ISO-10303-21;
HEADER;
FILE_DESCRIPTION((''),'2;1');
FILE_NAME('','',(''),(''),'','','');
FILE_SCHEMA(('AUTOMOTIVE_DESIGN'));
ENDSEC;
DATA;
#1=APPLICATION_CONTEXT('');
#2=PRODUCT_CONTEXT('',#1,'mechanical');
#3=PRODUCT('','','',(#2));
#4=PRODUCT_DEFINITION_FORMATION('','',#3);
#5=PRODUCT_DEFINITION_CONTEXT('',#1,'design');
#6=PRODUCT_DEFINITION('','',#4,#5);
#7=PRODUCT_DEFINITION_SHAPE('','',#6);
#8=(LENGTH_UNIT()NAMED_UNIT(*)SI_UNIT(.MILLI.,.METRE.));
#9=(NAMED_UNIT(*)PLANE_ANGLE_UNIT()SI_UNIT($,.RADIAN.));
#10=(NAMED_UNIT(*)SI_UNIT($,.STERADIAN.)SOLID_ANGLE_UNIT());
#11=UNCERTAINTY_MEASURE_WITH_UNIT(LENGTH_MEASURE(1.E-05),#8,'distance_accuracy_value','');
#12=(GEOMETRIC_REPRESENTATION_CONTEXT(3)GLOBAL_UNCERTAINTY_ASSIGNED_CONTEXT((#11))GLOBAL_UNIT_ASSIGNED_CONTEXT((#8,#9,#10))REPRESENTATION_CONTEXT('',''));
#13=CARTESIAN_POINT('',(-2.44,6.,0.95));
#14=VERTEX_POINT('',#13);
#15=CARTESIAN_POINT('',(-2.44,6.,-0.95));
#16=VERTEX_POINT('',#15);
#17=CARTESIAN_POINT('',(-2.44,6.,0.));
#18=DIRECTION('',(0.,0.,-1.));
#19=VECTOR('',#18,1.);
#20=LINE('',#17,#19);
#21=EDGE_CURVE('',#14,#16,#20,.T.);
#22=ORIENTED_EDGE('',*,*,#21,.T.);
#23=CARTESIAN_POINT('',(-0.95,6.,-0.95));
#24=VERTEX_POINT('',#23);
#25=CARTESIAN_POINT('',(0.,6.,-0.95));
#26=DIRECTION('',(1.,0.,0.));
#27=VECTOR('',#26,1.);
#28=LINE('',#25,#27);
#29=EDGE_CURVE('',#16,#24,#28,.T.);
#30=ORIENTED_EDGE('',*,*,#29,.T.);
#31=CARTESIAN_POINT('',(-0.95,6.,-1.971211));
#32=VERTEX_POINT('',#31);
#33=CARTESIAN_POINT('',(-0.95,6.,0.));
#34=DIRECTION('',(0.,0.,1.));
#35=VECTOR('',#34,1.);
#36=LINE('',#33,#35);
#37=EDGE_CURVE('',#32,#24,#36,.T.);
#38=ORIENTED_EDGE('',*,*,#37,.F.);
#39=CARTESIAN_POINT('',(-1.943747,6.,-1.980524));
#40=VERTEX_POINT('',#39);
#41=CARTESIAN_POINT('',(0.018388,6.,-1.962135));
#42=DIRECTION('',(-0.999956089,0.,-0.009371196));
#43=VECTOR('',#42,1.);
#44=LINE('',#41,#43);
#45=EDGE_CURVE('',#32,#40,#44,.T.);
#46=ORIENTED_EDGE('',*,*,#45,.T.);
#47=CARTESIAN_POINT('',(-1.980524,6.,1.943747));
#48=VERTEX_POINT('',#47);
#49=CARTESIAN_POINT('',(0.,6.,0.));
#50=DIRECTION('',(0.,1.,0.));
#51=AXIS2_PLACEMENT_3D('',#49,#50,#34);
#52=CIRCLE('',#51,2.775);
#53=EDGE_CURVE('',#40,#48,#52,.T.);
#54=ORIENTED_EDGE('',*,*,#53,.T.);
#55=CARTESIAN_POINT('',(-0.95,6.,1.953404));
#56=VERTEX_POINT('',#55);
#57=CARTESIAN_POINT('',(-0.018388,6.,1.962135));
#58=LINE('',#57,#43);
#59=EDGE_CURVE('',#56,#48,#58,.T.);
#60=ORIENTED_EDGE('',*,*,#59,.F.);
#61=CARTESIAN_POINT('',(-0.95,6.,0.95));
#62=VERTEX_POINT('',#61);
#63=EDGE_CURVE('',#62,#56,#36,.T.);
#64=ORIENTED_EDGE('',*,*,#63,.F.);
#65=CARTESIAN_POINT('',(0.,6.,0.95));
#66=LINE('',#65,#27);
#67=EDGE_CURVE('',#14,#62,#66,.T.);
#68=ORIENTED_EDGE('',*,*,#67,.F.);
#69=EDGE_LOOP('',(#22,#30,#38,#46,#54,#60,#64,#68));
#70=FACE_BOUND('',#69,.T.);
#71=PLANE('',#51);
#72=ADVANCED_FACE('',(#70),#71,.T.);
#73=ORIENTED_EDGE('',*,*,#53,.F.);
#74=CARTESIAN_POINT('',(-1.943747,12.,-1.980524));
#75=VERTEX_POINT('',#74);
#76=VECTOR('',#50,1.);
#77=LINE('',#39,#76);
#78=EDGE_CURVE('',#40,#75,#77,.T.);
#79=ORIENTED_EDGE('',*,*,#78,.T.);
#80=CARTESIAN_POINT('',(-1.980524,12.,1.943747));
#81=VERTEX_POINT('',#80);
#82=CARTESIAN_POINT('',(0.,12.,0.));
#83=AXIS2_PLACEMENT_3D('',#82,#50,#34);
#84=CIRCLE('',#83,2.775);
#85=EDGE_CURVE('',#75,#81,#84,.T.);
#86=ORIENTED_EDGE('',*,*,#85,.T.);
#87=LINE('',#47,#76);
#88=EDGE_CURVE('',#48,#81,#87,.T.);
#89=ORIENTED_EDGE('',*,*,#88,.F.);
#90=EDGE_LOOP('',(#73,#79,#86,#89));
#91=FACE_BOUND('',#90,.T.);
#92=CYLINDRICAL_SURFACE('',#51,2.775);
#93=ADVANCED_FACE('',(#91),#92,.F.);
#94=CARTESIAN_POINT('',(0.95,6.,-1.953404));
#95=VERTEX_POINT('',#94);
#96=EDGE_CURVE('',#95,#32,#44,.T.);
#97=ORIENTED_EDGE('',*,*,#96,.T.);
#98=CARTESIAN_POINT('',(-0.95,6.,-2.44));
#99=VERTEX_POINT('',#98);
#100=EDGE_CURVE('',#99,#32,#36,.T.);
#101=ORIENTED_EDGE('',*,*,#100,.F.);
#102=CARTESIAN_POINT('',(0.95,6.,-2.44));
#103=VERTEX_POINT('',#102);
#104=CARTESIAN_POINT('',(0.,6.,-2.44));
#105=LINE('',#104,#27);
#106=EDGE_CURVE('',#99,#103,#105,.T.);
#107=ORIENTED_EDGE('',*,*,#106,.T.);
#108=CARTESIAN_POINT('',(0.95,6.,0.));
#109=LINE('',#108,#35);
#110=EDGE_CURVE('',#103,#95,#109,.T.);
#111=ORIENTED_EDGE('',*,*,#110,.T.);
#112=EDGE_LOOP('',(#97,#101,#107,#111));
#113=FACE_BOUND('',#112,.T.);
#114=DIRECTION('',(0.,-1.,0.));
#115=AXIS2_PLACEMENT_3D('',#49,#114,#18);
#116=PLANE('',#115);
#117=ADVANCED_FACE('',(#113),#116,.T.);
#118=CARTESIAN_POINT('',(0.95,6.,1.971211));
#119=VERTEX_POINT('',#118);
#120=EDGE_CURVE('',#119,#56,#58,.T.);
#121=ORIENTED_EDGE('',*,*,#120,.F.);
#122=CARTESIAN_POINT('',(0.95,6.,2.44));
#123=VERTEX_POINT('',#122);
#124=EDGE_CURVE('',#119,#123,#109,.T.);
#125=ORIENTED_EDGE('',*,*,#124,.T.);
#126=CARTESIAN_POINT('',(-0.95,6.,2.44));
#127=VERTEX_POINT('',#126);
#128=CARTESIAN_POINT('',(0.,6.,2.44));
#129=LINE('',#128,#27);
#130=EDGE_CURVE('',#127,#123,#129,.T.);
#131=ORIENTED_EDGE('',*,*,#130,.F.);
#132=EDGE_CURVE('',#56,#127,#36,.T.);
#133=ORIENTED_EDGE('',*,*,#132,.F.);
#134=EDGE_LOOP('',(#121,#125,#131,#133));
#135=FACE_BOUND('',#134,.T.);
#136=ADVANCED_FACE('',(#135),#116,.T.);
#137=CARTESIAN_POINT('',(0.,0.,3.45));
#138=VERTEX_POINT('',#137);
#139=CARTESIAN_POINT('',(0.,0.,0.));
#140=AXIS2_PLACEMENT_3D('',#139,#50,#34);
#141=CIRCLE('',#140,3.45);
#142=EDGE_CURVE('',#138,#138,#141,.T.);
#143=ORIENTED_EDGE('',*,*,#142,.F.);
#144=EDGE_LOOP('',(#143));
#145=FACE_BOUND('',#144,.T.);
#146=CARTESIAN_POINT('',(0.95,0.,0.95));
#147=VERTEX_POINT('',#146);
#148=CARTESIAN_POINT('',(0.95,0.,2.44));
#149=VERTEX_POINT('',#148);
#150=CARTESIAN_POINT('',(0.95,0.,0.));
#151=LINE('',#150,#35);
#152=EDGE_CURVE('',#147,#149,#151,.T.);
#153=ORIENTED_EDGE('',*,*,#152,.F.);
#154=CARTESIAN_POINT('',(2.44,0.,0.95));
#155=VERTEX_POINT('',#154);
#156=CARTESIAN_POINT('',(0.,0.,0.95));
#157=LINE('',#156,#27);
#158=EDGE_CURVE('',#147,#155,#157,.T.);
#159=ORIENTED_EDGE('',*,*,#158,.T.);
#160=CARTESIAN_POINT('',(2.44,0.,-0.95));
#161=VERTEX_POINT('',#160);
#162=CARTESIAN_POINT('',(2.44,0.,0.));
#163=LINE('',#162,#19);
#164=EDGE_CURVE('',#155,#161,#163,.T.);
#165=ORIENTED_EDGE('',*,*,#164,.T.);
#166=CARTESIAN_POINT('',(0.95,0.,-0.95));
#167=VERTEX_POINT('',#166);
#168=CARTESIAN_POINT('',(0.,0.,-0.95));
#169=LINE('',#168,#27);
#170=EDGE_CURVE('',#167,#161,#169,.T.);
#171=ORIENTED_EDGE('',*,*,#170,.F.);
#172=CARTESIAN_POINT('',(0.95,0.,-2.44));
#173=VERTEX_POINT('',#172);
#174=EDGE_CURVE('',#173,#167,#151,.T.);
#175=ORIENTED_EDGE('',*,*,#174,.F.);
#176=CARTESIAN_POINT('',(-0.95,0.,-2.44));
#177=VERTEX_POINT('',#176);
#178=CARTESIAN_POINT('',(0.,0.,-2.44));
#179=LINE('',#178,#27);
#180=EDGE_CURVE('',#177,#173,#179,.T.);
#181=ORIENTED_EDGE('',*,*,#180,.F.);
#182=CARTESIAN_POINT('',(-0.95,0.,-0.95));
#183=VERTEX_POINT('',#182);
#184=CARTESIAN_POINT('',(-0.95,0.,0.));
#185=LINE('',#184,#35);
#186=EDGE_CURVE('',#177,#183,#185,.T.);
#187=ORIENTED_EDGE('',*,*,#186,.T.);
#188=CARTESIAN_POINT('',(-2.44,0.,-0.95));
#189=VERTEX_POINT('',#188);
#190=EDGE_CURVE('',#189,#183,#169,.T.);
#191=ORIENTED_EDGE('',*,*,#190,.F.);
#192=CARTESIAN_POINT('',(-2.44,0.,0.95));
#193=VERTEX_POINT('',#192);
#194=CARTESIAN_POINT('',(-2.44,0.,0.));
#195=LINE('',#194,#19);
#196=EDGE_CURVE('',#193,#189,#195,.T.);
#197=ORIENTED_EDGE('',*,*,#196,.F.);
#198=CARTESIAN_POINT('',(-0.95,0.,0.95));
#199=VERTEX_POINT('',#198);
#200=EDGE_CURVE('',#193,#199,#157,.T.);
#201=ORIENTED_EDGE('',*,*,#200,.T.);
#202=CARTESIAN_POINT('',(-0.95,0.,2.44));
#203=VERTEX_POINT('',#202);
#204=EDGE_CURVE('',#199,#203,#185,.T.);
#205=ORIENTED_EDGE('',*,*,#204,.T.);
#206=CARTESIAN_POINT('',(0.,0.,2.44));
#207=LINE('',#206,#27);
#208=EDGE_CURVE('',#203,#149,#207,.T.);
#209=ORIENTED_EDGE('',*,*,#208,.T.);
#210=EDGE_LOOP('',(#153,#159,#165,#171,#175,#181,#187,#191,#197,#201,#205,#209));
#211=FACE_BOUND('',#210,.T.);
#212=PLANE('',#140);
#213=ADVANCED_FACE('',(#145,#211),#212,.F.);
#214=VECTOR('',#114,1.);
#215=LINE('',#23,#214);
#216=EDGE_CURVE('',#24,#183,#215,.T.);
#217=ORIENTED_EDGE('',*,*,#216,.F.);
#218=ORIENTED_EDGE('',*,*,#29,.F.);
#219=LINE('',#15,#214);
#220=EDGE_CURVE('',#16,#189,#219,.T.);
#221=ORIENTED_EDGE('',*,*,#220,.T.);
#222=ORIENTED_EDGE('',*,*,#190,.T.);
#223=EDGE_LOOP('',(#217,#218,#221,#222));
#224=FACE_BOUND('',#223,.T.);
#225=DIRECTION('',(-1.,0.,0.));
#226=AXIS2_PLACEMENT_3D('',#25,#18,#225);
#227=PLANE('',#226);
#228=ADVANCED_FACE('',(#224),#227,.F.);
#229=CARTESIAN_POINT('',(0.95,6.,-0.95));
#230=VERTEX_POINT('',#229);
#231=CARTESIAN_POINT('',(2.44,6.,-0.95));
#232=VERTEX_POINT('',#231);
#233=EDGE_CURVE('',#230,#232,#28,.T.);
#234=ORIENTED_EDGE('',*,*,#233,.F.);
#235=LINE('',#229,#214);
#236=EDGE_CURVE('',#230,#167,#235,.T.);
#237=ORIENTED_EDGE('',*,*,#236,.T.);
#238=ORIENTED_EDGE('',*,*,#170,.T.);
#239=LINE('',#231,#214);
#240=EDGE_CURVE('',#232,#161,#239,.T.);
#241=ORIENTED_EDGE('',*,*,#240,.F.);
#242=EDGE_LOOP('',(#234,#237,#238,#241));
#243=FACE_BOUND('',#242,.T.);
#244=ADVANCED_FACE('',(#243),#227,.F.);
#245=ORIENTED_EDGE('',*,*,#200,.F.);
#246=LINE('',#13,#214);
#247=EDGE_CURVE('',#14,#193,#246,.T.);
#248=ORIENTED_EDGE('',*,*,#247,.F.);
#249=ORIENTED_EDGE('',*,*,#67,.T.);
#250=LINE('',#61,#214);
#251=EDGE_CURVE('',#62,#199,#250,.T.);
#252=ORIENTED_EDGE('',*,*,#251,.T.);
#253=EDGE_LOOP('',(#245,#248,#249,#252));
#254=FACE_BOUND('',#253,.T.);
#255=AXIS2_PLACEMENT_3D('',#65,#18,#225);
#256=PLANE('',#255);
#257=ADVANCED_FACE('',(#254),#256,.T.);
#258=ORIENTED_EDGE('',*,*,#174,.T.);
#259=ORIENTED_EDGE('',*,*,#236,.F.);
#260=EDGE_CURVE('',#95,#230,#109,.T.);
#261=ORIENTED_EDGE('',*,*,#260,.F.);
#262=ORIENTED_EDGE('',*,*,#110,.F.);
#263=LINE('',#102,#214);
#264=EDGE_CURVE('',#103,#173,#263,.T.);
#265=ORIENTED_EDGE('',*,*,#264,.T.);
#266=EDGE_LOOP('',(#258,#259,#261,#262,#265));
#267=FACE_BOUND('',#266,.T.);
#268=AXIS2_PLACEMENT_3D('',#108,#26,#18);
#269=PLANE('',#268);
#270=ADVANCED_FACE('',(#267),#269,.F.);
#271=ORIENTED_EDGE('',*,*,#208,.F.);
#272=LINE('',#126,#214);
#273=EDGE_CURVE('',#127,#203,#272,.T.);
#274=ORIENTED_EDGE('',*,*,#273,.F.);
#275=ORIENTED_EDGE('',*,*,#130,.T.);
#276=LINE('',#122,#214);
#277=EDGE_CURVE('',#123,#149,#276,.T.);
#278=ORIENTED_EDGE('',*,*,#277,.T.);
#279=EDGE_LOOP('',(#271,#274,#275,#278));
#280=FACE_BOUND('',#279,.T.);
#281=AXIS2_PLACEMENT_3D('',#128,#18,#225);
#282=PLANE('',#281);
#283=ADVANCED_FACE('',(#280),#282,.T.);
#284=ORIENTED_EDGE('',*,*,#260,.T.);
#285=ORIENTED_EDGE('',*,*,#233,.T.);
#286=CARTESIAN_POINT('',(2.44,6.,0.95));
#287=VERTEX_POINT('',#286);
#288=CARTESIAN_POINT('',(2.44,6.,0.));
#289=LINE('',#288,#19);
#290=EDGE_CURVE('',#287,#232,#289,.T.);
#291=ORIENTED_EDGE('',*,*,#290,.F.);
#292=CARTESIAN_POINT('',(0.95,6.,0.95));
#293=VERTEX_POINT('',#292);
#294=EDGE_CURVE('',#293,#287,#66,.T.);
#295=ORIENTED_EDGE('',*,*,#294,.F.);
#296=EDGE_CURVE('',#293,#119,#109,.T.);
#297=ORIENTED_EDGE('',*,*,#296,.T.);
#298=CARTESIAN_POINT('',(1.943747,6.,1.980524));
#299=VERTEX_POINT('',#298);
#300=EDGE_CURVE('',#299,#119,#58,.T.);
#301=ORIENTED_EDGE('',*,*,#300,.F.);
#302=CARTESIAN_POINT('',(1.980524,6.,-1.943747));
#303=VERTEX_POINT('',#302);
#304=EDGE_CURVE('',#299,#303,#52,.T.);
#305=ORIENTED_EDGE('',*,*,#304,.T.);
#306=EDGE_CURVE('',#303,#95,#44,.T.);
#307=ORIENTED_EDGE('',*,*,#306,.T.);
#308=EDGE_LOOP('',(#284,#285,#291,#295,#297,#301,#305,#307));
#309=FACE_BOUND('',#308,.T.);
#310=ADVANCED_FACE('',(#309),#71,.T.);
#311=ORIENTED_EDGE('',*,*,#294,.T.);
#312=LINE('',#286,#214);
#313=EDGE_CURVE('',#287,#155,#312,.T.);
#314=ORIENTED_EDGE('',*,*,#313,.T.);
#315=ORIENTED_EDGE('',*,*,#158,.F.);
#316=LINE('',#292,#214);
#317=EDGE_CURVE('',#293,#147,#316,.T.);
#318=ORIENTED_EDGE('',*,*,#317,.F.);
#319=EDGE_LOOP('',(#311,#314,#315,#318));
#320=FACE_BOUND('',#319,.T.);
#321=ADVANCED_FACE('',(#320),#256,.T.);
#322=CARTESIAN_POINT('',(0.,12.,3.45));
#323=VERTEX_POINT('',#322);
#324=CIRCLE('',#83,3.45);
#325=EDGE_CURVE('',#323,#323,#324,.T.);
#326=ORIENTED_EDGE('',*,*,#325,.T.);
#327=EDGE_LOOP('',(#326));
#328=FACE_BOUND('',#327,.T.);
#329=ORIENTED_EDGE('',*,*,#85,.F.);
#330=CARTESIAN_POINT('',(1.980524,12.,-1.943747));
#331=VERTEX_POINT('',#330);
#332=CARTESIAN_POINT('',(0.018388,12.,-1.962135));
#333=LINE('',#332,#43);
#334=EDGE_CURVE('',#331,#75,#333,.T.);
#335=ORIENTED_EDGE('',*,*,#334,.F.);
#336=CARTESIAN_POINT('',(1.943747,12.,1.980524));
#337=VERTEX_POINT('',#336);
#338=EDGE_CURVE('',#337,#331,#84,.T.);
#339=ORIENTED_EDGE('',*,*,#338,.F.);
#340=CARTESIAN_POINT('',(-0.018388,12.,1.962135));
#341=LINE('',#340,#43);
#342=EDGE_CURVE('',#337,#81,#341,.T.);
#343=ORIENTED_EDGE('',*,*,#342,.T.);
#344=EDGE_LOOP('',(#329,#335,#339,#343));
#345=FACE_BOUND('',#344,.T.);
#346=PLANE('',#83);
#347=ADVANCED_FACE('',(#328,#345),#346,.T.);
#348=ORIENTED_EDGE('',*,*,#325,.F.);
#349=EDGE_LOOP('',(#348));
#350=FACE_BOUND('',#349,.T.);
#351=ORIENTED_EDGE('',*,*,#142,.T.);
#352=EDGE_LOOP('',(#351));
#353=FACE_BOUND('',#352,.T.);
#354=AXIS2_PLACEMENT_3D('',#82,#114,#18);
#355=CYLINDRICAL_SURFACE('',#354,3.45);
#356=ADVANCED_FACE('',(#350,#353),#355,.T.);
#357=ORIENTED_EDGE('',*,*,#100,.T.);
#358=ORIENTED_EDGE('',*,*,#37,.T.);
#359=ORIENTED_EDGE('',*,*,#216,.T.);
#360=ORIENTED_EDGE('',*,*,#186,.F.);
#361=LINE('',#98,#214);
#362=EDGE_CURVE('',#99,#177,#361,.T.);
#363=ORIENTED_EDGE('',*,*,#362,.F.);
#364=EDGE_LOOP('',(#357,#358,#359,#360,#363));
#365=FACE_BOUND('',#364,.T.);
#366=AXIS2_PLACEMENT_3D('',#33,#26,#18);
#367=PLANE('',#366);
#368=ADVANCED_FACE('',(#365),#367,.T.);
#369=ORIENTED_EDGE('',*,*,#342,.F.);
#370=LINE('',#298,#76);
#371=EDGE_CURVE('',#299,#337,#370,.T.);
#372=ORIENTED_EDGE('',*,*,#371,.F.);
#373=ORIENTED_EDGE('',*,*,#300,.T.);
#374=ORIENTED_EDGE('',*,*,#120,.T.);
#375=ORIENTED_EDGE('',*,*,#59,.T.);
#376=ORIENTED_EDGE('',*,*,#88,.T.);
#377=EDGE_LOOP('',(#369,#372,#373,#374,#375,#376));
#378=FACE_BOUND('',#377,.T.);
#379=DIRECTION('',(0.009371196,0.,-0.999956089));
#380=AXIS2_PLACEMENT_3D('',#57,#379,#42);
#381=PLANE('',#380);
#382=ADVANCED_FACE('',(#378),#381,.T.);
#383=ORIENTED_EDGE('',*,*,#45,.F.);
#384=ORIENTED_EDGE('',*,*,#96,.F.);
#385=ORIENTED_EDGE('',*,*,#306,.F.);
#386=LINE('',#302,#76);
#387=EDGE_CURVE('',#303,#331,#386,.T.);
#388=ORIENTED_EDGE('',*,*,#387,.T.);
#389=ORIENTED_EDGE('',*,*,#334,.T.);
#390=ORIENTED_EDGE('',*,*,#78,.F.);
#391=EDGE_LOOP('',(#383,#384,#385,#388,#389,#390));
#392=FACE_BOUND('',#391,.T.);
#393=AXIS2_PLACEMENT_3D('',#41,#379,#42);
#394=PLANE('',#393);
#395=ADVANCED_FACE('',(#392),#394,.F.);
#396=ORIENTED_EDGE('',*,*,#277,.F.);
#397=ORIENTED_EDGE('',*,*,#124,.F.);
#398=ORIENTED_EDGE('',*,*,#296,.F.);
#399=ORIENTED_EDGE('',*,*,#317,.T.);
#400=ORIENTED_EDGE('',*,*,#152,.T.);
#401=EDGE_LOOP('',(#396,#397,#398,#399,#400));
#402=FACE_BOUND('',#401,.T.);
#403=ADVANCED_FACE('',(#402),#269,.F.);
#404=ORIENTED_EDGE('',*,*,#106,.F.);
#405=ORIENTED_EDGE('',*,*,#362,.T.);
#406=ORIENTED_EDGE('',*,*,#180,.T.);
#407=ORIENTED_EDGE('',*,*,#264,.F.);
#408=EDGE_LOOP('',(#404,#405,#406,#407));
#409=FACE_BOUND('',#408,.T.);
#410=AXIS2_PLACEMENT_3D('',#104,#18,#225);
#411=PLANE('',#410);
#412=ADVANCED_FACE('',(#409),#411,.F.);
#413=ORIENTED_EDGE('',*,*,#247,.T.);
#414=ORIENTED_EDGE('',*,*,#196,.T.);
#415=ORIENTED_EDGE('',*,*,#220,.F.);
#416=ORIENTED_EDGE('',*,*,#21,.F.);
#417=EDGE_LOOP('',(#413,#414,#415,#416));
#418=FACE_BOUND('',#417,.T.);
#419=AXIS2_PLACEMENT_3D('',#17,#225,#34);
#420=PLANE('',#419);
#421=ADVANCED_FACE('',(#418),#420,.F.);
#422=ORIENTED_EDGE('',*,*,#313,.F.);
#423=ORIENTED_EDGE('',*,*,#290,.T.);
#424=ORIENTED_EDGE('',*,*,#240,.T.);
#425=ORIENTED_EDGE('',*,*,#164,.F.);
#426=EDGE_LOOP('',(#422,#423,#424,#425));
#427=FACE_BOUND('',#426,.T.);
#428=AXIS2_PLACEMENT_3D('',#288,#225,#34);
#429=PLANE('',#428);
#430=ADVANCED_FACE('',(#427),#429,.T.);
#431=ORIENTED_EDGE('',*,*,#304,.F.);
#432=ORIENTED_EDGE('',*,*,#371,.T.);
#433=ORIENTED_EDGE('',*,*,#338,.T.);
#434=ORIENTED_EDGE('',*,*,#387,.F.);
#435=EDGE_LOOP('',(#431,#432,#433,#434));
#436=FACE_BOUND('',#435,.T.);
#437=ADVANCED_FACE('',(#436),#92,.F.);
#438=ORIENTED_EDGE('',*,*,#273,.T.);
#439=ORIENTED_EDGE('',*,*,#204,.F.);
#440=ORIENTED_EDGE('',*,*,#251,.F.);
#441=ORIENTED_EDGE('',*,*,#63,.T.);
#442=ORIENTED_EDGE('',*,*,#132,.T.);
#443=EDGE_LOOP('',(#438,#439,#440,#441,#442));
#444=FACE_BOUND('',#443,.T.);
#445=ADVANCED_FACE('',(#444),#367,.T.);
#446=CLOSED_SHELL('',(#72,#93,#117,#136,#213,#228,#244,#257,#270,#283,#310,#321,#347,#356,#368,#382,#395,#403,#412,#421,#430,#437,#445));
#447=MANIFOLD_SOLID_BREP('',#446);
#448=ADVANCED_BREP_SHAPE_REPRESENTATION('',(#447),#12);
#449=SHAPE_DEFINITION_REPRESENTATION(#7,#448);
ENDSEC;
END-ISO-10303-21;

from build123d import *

# Parameters (mm, degrees)
SKETCH1_R           = 3.45
BOSS_EXTRUDE1_DEPTH = 12
CUT_EXTRUDE1_DEPTH  = 6
SKETCH3_3_W         = 1.9
SKETCH3_3_H         = 1.9
SKETCH3_3_W_2       = 1.49
SKETCH3_3_H_2       = 1.49
CUT_EXTRUDE3_DEPTH  = 6
SKETCH3_W           = 1.9
SKETCH3_H           = 1.9
SKETCH3_W_2         = 1.49
SKETCH3_H_2         = 1.49
CUT_EXTRUDE2_DEPTH  = 6


with BuildPart() as part:
    # Sketch1 → Boss-Extrude1 (new body)
    with BuildSketch(Plane(origin=(0, 0, 0), x_dir=(1, 0, 0), z_dir=(0, 1, 0))):
        with Locations(Location((0, 0, 0), (0, 0, 270))):
            Circle(SKETCH1_R)
    extrude(amount=BOSS_EXTRUDE1_DEPTH)

    # Sketch2 → Cut-Extrude1 (cut)
    with BuildSketch(Plane(origin=(0, 12, 0), x_dir=(1, 0, 0), z_dir=(0, 1, 0))):
        with BuildLine():
            Line((-1.980523516, -1.943746794), (1.943746794, -1.980523516))
            ThreePointArc((1.943746794, -1.980523516), (2.558761649, -1.073947775), (2.775, 0))
            ThreePointArc((2.775, 0), (2.568713468, 1.049921959), (1.980523516, 1.943746794))
            Line((1.980523516, 1.943746794), (-1.943746794, 1.980523516))
            ThreePointArc((-1.943746794, 1.980523516), (-2.774878148, 0.026005069), (-1.980523516, -1.943746794))
        make_face()
    extrude(amount=-CUT_EXTRUDE1_DEPTH, mode=Mode.SUBTRACT)

    # Sketch3<3> → Cut-Extrude3 (cut)
    with BuildSketch(Plane.XZ):
        Rectangle(SKETCH3_3_W, SKETCH3_3_H)
        with Locations((-1.695, 0)):
            Rectangle(SKETCH3_3_W_2, SKETCH3_3_H)
        with Locations((1.695, 0)):
            Rectangle(SKETCH3_3_W_2, SKETCH3_3_H)
        with Locations((0, -1.695)):
            Rectangle(SKETCH3_3_W, SKETCH3_3_H_2)
        with Locations((0, 1.695)):
            Rectangle(SKETCH3_3_W, SKETCH3_3_H_2)
    extrude(amount=-CUT_EXTRUDE3_DEPTH, mode=Mode.SUBTRACT)

    # Sketch3 → Cut-Extrude2 (cut)
    with BuildSketch(Plane.XZ):
        Rectangle(SKETCH3_W, SKETCH3_H)
        with Locations((-1.695, 0)):
            Rectangle(SKETCH3_W_2, SKETCH3_H)
        with Locations((0, -1.695)):
            Rectangle(SKETCH3_W, SKETCH3_H_2)
        with Locations((1.695, 0)):
            Rectangle(SKETCH3_W_2, SKETCH3_H)
        with Locations((0, 1.695)):
            Rectangle(SKETCH3_W, SKETCH3_H_2)
    extrude(amount=-CUT_EXTRUDE2_DEPTH, mode=Mode.SUBTRACT)


solid = part.part
